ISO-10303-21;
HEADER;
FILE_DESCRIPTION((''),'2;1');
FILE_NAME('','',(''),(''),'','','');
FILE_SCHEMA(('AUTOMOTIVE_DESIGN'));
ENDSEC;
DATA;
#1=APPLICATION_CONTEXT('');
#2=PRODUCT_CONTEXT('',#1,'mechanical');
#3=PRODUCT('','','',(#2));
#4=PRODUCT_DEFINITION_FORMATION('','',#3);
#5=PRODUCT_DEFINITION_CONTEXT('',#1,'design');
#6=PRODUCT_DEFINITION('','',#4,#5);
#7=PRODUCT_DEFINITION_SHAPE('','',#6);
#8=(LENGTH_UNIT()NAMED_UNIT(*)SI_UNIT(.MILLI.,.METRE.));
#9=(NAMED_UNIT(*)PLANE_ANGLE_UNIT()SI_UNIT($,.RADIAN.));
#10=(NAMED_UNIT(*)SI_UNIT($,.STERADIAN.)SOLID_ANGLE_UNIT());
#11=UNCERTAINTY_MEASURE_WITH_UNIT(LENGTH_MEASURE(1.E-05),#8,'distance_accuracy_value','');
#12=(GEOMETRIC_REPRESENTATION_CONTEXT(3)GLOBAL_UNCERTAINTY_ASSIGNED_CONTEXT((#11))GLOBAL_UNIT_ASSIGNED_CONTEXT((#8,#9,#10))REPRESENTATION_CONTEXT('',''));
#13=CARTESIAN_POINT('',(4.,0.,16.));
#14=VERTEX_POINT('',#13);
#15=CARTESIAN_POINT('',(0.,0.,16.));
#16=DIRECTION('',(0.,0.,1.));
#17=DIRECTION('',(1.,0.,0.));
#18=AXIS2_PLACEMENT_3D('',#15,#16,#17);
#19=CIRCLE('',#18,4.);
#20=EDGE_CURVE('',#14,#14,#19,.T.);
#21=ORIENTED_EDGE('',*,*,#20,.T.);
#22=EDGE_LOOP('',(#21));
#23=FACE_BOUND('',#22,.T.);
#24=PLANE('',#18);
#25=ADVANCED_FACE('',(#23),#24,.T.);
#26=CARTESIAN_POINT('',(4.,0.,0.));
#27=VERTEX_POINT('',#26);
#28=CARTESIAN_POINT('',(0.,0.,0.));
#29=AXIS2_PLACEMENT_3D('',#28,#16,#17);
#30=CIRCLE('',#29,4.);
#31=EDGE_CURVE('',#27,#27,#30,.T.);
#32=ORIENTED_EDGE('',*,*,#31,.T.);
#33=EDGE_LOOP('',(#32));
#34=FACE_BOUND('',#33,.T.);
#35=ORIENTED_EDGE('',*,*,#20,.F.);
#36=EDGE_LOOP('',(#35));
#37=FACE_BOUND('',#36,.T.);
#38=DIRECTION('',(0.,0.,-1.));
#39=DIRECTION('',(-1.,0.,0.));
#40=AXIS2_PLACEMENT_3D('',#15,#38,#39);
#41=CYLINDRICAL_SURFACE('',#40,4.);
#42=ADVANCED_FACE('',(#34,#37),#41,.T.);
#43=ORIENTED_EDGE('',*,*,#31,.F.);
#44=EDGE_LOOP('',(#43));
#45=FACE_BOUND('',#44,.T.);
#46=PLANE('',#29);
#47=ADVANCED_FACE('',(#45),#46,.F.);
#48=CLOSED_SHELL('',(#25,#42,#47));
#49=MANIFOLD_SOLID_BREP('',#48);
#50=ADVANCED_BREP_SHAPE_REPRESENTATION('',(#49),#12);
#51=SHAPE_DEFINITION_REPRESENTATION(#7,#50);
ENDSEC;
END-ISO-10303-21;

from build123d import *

# Parameters (mm, degrees)
ESQUISSE1_R        = 4
BOSS_EXTRU_1_DEPTH = 16


with BuildPart() as part:
    # Esquisse1 → Boss.-Extru.1 (new body)
    with BuildSketch(Plane.XY):
        Circle(ESQUISSE1_R)
    extrude(amount=BOSS_EXTRU_1_DEPTH)


solid = part.part
